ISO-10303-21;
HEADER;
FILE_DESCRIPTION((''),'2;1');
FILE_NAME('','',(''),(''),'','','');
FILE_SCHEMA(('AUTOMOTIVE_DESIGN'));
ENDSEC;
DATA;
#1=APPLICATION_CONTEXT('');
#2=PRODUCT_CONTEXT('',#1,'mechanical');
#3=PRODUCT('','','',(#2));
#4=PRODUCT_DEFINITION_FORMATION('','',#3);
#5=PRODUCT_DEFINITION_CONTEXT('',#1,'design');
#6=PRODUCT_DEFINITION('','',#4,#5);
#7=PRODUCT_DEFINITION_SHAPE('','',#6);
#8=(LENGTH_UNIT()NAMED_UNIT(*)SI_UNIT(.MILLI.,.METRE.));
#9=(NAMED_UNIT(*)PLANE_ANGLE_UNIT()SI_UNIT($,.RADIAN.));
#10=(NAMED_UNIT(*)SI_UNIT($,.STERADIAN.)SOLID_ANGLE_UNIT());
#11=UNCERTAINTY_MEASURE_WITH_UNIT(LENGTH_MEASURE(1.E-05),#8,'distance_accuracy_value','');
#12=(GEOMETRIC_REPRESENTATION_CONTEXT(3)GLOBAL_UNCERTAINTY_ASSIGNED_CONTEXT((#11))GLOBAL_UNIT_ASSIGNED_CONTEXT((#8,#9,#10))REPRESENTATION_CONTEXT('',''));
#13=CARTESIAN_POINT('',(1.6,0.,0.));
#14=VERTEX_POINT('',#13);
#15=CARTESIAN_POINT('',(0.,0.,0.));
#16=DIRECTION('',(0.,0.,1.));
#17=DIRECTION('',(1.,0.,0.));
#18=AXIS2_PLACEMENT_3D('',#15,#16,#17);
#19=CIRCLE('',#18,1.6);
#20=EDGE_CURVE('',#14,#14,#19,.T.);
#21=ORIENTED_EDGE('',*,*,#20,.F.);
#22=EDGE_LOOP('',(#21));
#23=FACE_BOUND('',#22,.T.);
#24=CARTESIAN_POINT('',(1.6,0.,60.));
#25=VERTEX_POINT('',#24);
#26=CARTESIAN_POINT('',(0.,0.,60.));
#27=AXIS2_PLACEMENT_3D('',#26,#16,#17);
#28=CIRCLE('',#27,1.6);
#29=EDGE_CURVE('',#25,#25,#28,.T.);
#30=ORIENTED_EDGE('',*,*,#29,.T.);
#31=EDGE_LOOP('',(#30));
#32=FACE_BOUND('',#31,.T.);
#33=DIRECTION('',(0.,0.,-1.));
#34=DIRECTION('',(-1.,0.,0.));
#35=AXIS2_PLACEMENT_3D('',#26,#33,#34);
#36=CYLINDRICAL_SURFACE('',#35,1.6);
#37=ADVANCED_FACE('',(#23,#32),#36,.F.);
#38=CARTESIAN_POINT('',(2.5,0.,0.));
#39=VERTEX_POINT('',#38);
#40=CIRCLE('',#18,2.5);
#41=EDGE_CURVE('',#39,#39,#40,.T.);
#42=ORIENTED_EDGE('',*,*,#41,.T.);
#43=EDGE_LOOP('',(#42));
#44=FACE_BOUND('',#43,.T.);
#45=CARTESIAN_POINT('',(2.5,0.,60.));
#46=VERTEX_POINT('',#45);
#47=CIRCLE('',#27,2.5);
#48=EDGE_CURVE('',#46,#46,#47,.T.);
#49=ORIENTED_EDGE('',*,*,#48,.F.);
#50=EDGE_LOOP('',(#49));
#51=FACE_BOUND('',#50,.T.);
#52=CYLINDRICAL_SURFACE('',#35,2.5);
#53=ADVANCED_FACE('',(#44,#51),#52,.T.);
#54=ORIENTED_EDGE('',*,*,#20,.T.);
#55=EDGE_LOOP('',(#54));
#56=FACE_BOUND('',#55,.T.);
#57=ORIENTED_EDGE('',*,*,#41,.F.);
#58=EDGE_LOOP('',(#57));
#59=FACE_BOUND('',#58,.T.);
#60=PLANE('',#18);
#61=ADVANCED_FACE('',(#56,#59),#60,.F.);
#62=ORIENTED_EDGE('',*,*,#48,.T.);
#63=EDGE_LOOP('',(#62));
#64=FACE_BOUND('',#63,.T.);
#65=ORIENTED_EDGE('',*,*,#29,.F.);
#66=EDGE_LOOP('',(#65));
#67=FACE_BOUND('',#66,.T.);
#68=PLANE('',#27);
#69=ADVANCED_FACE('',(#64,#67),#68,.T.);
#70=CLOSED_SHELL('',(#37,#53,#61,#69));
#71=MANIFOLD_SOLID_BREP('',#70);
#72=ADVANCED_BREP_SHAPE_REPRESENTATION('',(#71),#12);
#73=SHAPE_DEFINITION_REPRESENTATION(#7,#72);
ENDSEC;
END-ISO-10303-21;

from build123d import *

# Parameters (mm, degrees)
SKETCH1_R           = 2.5
SKETCH1_R_2         = 1.6
BOSS_EXTRUDE1_DEPTH = 60


with BuildPart() as part:
    # Sketch1 → Boss-Extrude1 (new body)
    with BuildSketch(Plane.XY):
        Circle(SKETCH1_R)
        Circle(SKETCH1_R_2, mode=Mode.SUBTRACT)
    extrude(amount=BOSS_EXTRUDE1_DEPTH)


solid = part.part
